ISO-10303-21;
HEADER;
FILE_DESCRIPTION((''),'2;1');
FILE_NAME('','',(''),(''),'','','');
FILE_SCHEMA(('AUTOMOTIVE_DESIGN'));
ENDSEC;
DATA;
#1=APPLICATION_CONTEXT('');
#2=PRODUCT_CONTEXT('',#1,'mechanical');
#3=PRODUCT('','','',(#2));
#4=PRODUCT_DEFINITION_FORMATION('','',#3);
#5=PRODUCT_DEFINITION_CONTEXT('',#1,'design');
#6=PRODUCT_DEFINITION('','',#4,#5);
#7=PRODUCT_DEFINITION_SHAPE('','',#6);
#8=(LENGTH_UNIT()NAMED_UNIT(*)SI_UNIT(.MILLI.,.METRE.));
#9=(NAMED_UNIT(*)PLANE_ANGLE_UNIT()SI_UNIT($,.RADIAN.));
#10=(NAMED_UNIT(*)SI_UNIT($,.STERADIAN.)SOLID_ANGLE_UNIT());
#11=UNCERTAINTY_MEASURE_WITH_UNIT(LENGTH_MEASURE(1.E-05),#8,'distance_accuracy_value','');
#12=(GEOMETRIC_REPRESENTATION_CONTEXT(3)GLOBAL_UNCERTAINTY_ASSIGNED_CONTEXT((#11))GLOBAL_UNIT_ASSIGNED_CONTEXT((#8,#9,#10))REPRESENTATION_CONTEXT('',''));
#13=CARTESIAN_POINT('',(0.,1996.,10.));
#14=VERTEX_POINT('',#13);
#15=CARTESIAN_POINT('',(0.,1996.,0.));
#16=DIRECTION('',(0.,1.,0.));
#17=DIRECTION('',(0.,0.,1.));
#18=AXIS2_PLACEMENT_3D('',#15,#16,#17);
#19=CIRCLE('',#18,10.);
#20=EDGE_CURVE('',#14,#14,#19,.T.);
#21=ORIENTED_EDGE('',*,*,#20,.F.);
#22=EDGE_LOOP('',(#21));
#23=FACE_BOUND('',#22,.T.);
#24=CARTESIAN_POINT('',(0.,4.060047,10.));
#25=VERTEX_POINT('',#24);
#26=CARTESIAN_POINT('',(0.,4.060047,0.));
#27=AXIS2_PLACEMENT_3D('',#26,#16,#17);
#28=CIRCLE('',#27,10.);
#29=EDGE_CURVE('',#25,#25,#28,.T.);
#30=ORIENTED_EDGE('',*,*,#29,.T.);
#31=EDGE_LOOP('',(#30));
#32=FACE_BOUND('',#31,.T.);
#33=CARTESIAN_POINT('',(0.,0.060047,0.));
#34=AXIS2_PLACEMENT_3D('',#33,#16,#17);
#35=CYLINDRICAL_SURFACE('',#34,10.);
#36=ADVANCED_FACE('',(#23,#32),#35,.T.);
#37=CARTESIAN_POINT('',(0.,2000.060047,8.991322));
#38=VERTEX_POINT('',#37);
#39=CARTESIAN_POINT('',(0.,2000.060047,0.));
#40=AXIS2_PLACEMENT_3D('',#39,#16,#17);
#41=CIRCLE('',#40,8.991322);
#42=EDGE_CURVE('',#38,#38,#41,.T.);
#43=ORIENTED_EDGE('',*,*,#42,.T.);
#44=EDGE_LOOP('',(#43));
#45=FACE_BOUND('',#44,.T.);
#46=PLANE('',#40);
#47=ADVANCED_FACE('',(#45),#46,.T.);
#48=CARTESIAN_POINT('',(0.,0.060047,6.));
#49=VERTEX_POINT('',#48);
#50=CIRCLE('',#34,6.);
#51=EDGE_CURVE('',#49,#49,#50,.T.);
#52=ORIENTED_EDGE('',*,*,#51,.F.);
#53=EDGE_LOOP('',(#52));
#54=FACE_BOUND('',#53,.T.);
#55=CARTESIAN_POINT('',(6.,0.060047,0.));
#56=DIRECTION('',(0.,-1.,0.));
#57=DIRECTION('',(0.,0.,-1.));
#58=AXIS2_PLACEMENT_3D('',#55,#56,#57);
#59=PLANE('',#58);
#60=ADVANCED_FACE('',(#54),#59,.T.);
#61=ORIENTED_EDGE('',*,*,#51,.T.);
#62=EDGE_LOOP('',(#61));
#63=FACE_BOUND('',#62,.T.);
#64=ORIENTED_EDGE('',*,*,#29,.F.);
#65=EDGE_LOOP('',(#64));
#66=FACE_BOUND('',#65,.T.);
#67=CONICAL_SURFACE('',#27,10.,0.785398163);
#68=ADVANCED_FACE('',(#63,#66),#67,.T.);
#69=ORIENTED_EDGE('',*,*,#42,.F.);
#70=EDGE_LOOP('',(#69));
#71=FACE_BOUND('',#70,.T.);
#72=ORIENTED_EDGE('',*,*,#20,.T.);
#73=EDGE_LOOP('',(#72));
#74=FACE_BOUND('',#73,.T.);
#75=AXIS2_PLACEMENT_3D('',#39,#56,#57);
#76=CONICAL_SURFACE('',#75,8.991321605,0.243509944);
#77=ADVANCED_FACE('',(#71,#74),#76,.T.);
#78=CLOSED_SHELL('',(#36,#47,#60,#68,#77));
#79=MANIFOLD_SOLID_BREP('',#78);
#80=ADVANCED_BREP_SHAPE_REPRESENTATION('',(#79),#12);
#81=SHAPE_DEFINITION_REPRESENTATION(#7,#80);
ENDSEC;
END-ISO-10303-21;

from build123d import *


with BuildPart() as part:
    # Esboço1 → Revolução1 (revolve)
    with BuildSketch(Plane(origin=(0, 0, 0), x_dir=(-1, 0, 0), z_dir=(0, 0, -1)), mode=Mode.PRIVATE) as revolu_o1_sk:
        Polygon((-6, 0.060047337), (0, 0.060047337), (0, 2000.060047337), (-8.991321605, 2000.060047337), (-10, 1996), (-10, 4.060047337), align=None)
    revolve(revolu_o1_sk.sketch.rotate(Axis((0, 0.060047337, 0), (0, 1, 0)), 270), axis=Axis((0, 0.060047337, 0), (0, 1, 0)))


solid = part.part
